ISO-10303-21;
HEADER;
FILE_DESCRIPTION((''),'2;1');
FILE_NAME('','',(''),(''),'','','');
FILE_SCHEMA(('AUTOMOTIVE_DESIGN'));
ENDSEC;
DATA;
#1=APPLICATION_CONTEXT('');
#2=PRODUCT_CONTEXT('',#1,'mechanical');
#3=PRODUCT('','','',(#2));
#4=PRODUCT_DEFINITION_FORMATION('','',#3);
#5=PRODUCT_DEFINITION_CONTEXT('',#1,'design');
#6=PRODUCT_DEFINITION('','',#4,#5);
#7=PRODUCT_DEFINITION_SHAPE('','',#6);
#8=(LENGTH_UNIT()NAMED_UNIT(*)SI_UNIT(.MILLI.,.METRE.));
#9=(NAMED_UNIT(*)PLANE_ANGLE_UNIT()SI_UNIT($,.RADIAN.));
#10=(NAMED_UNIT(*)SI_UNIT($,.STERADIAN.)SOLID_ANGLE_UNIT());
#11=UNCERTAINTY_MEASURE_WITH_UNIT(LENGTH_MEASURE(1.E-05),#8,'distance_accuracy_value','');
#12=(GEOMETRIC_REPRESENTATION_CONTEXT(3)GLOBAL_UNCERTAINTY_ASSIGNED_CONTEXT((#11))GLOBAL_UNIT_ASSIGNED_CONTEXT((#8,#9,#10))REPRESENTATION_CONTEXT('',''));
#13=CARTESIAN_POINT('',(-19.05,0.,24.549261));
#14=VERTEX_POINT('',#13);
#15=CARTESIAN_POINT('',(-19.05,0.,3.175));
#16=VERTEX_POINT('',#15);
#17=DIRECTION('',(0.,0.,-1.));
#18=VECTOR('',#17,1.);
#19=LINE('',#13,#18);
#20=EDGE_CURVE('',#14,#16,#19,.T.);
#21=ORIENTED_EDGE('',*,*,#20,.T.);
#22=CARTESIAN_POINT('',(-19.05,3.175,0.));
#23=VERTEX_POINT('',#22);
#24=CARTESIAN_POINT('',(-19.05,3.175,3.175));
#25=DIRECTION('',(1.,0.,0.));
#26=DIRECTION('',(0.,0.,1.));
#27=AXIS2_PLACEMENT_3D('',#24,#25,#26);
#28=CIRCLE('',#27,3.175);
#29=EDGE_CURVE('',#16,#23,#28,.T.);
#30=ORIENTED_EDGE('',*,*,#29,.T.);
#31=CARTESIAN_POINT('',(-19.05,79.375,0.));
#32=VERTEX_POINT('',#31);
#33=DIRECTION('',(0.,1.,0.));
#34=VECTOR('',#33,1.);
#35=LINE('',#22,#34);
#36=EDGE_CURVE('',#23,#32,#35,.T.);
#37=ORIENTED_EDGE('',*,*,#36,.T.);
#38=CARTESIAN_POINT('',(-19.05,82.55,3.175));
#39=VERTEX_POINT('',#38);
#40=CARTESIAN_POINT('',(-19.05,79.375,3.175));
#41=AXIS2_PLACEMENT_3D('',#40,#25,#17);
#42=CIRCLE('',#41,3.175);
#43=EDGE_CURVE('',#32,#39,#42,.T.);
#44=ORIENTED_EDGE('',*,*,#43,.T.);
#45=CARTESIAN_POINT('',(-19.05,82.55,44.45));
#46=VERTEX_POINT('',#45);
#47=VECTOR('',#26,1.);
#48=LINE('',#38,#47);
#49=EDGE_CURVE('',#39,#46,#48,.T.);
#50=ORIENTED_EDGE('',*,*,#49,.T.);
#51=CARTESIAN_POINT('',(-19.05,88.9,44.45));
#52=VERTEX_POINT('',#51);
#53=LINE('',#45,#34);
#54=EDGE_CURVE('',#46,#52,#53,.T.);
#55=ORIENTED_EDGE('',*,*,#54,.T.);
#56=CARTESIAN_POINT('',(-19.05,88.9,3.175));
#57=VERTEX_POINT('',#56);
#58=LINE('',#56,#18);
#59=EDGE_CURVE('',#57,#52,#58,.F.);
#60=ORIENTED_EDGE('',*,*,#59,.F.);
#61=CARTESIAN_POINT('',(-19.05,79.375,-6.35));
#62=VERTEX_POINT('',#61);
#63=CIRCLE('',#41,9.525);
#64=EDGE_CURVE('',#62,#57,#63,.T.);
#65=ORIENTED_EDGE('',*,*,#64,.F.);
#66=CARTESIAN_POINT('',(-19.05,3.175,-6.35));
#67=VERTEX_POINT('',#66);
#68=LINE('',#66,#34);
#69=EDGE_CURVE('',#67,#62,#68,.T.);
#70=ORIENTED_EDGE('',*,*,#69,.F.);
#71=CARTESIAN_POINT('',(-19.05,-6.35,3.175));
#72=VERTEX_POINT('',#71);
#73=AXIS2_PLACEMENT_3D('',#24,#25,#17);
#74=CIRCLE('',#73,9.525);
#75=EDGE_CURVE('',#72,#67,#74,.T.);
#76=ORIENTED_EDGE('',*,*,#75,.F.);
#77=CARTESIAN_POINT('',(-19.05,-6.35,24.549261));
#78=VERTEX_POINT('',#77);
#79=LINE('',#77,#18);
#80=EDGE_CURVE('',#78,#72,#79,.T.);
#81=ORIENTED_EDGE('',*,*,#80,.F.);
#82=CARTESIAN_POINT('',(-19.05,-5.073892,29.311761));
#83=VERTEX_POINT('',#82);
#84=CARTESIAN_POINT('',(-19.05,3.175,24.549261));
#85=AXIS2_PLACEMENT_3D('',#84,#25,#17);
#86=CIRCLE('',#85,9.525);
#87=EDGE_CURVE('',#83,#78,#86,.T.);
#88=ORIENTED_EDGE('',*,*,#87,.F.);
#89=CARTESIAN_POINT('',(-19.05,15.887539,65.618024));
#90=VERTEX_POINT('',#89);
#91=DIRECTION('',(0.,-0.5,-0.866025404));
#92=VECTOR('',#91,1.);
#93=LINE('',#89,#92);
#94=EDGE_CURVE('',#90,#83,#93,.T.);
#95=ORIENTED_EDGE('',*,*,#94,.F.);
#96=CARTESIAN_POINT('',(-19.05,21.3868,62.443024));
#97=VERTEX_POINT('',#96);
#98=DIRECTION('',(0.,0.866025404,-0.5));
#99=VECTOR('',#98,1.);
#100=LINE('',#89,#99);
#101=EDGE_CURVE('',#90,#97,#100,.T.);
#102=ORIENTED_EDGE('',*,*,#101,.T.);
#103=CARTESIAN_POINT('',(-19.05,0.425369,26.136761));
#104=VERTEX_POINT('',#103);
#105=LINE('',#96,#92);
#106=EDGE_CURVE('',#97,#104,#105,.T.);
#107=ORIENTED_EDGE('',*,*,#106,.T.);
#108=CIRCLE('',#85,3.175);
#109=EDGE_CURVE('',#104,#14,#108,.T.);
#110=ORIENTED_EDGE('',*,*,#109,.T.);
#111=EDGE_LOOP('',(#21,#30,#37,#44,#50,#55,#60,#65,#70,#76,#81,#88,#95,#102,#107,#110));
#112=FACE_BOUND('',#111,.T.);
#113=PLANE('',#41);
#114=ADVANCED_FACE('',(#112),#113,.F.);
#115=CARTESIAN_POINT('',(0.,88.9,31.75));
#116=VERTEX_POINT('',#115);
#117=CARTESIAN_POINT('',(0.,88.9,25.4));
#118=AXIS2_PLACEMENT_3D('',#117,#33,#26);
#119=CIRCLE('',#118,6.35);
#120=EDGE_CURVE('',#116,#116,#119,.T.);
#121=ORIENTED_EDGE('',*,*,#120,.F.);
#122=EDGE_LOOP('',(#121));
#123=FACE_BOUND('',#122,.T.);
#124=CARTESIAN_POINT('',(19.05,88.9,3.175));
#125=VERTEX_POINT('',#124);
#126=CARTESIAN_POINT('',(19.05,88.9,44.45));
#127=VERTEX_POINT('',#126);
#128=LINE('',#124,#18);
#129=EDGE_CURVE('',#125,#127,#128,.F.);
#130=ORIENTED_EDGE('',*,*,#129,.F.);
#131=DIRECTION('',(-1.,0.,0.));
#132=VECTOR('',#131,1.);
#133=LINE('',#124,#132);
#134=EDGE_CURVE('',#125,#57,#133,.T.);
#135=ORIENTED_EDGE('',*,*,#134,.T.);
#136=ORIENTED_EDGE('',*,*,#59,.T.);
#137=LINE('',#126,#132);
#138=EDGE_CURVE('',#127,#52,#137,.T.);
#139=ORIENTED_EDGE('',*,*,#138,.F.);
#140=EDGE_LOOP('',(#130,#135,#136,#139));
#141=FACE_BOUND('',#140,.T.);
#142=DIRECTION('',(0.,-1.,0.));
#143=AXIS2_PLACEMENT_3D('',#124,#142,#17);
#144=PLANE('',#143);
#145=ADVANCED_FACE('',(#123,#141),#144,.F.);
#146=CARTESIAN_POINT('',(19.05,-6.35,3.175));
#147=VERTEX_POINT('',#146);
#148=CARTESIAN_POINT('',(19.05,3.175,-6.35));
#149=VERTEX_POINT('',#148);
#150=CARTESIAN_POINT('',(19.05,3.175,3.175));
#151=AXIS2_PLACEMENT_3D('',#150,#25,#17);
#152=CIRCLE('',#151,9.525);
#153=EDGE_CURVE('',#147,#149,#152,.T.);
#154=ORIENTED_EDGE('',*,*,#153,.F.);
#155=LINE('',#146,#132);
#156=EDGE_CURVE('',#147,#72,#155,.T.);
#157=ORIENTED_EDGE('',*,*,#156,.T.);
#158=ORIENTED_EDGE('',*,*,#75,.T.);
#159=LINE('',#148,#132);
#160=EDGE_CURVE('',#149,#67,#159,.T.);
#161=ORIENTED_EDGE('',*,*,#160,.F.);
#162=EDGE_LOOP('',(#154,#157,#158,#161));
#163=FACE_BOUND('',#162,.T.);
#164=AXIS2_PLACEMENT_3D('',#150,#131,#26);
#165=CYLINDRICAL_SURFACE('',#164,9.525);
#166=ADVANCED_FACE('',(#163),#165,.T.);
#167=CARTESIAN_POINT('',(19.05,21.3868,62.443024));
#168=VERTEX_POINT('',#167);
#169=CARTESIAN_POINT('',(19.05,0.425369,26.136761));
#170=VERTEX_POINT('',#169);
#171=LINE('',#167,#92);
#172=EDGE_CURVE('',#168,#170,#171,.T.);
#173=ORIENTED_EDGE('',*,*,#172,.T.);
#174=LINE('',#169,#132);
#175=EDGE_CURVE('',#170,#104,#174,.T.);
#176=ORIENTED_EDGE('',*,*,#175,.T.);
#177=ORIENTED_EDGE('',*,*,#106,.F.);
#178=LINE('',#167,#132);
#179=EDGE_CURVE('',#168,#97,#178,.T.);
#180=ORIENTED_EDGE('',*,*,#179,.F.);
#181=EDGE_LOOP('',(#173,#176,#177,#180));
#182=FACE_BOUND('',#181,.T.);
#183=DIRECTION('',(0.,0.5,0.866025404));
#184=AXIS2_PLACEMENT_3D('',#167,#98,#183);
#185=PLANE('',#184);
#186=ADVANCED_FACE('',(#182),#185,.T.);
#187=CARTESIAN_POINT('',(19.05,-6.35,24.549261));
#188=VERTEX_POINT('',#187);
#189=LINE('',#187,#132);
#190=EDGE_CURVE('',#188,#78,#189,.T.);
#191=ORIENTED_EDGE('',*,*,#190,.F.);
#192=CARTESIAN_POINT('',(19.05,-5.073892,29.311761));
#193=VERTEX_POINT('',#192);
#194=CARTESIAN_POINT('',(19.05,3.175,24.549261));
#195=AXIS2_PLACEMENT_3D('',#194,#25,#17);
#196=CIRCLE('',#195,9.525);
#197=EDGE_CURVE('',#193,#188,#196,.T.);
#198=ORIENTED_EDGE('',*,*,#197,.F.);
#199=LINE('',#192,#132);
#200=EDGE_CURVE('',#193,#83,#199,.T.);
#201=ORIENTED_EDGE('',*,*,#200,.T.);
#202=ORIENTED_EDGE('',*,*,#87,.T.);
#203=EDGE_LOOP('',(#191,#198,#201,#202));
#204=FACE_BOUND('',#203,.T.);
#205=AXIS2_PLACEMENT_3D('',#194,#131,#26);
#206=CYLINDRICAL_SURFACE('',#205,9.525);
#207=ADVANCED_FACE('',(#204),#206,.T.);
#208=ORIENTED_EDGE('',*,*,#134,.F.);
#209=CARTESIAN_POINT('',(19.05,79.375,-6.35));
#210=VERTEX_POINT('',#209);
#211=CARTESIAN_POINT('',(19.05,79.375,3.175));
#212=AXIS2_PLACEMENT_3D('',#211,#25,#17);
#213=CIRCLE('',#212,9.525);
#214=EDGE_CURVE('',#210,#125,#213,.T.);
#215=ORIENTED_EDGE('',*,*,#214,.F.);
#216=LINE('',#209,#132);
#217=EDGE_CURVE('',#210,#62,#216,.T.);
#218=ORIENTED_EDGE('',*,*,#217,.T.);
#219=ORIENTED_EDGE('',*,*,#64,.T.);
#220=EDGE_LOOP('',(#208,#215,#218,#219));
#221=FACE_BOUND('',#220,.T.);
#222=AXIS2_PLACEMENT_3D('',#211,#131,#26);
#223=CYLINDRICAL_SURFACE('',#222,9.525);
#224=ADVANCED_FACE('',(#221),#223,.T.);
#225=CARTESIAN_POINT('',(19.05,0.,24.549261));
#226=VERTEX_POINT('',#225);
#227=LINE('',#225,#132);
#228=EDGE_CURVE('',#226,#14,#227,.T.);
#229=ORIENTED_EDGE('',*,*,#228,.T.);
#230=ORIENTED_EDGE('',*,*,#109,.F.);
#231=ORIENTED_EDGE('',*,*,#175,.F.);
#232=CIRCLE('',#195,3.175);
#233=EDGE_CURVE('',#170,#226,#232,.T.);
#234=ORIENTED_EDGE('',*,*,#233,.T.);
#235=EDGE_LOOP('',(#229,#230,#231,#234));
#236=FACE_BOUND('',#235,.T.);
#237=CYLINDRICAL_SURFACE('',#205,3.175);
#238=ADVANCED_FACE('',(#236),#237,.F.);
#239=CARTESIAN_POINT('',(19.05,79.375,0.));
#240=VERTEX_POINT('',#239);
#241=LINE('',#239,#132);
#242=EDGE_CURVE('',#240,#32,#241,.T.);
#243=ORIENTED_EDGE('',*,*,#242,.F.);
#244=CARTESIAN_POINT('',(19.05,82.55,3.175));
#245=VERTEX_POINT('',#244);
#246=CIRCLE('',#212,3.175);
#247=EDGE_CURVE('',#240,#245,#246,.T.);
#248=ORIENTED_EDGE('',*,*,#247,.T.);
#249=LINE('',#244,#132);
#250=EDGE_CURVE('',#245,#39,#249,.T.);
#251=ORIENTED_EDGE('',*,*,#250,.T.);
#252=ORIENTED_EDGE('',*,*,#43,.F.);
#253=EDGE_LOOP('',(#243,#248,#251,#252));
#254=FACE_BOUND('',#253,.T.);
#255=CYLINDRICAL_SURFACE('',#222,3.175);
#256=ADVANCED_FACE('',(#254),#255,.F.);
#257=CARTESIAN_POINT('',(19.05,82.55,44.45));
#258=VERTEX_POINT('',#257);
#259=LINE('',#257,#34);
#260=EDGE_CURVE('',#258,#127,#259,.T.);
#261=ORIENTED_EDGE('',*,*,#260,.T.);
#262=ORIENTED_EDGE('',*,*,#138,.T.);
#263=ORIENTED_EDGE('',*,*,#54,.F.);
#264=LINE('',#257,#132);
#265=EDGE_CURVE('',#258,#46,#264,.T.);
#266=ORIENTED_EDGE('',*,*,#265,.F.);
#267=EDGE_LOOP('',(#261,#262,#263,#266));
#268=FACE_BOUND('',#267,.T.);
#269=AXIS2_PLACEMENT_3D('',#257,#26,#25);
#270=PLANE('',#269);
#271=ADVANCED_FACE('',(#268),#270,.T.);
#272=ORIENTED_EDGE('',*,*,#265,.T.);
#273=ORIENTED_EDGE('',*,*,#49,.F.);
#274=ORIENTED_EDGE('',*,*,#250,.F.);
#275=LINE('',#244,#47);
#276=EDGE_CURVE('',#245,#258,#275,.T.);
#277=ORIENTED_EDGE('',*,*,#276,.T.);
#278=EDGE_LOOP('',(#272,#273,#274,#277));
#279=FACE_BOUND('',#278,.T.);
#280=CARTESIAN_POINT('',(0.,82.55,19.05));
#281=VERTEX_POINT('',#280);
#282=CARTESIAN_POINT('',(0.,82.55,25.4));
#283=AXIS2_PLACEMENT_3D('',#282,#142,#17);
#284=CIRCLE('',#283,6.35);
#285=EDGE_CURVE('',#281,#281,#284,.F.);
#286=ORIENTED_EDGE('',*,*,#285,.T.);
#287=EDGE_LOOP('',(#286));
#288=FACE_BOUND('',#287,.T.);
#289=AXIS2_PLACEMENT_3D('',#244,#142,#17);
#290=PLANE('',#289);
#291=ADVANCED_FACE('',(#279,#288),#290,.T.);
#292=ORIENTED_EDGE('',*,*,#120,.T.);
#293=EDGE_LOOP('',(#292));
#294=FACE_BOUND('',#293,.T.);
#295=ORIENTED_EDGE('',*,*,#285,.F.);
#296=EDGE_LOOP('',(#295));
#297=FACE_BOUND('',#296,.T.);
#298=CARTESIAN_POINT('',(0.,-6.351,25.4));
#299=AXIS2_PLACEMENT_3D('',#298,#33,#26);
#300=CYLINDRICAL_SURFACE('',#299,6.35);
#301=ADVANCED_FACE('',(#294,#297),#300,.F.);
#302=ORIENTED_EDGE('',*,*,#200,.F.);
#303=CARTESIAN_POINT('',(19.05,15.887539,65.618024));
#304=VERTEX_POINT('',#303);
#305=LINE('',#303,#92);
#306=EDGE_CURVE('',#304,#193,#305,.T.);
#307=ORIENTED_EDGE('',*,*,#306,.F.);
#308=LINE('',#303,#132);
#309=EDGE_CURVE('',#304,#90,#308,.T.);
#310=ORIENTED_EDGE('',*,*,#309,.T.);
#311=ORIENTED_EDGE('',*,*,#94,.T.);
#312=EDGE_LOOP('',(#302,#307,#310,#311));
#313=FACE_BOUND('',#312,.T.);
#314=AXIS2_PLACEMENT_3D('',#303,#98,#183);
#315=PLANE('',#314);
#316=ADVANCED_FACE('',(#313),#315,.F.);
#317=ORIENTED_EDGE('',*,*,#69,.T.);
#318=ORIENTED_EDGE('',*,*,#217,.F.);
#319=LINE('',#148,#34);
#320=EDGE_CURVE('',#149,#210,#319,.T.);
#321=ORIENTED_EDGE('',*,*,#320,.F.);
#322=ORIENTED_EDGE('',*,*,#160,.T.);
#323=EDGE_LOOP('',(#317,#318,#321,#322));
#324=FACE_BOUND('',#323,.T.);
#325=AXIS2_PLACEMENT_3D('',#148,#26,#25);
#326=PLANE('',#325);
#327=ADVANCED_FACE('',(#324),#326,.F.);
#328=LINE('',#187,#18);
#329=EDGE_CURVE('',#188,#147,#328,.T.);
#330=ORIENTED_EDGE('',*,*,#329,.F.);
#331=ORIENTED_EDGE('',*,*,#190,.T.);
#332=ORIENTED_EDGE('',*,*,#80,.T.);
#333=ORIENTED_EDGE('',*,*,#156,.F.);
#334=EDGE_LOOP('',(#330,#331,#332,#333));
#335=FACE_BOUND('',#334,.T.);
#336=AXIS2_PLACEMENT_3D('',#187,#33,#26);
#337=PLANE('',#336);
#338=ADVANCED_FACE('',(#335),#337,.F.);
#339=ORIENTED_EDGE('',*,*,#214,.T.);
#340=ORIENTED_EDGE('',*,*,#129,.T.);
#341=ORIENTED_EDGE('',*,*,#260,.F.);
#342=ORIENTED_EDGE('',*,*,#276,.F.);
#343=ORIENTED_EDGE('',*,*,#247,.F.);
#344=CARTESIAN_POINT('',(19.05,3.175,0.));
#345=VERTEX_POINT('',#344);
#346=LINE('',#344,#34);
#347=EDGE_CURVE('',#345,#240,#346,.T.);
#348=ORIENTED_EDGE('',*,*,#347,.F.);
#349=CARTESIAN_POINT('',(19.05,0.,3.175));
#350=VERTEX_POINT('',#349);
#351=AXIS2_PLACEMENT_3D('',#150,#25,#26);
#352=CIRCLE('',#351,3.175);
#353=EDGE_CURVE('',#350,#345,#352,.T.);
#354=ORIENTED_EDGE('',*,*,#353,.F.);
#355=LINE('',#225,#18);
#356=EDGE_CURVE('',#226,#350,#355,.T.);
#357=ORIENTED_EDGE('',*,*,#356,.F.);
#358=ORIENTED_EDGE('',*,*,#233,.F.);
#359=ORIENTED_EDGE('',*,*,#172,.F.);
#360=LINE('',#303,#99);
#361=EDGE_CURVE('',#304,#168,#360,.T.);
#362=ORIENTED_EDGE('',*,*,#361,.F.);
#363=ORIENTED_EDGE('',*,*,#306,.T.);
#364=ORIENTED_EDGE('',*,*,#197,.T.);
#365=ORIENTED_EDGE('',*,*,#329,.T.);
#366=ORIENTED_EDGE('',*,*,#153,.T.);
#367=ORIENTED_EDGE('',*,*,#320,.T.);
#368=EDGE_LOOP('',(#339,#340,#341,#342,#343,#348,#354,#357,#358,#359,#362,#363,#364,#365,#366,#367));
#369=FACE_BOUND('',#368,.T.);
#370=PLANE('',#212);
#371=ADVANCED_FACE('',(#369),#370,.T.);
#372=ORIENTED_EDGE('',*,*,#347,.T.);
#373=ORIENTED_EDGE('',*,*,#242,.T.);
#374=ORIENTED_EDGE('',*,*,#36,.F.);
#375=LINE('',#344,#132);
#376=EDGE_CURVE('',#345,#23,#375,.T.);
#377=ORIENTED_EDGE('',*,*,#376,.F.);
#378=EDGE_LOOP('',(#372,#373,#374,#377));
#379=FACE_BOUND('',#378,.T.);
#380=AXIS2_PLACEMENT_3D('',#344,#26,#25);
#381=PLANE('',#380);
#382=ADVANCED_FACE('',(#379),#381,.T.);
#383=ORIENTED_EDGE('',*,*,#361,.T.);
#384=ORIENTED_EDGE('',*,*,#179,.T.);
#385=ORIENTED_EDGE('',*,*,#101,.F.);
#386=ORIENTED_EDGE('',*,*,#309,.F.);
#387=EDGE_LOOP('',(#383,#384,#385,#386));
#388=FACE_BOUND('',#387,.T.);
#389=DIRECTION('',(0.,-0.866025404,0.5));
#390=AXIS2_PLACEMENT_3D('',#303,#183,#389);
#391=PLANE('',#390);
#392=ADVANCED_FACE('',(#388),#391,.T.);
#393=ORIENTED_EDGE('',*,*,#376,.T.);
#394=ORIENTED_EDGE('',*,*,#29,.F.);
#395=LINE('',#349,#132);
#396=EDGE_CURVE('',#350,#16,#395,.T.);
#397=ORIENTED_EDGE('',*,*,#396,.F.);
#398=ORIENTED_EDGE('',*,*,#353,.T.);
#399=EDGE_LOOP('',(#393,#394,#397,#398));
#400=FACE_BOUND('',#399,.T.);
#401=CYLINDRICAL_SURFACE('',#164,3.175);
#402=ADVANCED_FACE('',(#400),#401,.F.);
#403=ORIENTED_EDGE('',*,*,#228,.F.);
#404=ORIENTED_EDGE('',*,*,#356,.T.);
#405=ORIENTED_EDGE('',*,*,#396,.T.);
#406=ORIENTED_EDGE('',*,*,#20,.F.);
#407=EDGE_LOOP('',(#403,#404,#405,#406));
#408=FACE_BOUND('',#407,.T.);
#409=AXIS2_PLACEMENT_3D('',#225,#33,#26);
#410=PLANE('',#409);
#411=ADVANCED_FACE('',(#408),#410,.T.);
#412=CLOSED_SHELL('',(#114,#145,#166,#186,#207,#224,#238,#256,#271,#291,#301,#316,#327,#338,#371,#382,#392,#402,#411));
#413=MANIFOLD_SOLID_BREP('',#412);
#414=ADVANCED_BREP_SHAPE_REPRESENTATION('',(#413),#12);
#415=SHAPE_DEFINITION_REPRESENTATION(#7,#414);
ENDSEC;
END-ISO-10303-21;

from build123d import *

# Parameters (mm, degrees)
BASE_EXTRUDE_THIN_DEPTH = 19.05
CUT_EXTRUDE1_REACH      = 97.25
SKETCH2_R               = 6.35


with BuildPart() as part:
    # Sketch1 → Base-Extrude-Thin (new body, symmetric)
    with BuildSketch(Plane(origin=(0, 0, 0), x_dir=(0, 0, -1), z_dir=(1, 0, 0))):
        with BuildLine():
            Line((-62.443024211, 21.3868), (-26.136761314, 0.425369343))
            ThreePointArc((-26.136761314, 0.425369343), (-25.371011782, 0.108185502), (-24.549261314, 0))
            Line((-24.549261314, 0), (-3.175, 0))
            ThreePointArc((-3.175, 0), (-0.92993597, 0.92993597), (0, 3.175))
            Line((0, 3.175), (0, 79.375))
            ThreePointArc((0, 79.375), (-0.92993597, 81.62006403), (-3.175, 82.55))
            Line((-3.175, 82.55), (-44.45, 82.55))
            Line((-44.45, 82.55), (-44.45, 88.9))
            Line((-44.45, 88.9), (-3.175, 88.9))
            ThreePointArc((-3.175, 88.9), (3.560192091, 86.110192091), (6.35, 79.375))
            Line((6.35, 79.375), (6.35, 3.175))
            ThreePointArc((6.35, 3.175), (3.560192091, -3.560192091), (-3.175, -6.35))
            Line((-3.175, -6.35), (-24.549261314, -6.35))
            ThreePointArc((-24.549261314, -6.35), (-27.014512719, -6.025443495), (-29.311761314, -5.073891971))
            Line((-29.311761314, -5.073891971), (-65.618024211, 15.887538686))
            Line((-65.618024211, 15.887538686), (-62.443024211, 21.3868))
        make_face()
    extrude(amount=BASE_EXTRUDE_THIN_DEPTH, both=True)

    # Sketch2 → Cut-Extrude1 (cut, up to next)
    with BuildSketch(Plane(origin=(0, 88.9, 0), x_dir=(-1, 0, 0), z_dir=(0, 1, 0)), mode=Mode.PRIVATE) as cut_extrude1_sk1:
        with Locations((0, 25.4)):
            Circle(SKETCH2_R)
    cut_extrude1_tool1 = extrude(cut_extrude1_sk1.sketch, amount=-CUT_EXTRUDE1_REACH, mode=Mode.PRIVATE) & part.part
    add(cut_extrude1_tool1.solids().sort_by_distance((0, 88.9, 25.4))[0], mode=Mode.SUBTRACT)


solid = part.part
